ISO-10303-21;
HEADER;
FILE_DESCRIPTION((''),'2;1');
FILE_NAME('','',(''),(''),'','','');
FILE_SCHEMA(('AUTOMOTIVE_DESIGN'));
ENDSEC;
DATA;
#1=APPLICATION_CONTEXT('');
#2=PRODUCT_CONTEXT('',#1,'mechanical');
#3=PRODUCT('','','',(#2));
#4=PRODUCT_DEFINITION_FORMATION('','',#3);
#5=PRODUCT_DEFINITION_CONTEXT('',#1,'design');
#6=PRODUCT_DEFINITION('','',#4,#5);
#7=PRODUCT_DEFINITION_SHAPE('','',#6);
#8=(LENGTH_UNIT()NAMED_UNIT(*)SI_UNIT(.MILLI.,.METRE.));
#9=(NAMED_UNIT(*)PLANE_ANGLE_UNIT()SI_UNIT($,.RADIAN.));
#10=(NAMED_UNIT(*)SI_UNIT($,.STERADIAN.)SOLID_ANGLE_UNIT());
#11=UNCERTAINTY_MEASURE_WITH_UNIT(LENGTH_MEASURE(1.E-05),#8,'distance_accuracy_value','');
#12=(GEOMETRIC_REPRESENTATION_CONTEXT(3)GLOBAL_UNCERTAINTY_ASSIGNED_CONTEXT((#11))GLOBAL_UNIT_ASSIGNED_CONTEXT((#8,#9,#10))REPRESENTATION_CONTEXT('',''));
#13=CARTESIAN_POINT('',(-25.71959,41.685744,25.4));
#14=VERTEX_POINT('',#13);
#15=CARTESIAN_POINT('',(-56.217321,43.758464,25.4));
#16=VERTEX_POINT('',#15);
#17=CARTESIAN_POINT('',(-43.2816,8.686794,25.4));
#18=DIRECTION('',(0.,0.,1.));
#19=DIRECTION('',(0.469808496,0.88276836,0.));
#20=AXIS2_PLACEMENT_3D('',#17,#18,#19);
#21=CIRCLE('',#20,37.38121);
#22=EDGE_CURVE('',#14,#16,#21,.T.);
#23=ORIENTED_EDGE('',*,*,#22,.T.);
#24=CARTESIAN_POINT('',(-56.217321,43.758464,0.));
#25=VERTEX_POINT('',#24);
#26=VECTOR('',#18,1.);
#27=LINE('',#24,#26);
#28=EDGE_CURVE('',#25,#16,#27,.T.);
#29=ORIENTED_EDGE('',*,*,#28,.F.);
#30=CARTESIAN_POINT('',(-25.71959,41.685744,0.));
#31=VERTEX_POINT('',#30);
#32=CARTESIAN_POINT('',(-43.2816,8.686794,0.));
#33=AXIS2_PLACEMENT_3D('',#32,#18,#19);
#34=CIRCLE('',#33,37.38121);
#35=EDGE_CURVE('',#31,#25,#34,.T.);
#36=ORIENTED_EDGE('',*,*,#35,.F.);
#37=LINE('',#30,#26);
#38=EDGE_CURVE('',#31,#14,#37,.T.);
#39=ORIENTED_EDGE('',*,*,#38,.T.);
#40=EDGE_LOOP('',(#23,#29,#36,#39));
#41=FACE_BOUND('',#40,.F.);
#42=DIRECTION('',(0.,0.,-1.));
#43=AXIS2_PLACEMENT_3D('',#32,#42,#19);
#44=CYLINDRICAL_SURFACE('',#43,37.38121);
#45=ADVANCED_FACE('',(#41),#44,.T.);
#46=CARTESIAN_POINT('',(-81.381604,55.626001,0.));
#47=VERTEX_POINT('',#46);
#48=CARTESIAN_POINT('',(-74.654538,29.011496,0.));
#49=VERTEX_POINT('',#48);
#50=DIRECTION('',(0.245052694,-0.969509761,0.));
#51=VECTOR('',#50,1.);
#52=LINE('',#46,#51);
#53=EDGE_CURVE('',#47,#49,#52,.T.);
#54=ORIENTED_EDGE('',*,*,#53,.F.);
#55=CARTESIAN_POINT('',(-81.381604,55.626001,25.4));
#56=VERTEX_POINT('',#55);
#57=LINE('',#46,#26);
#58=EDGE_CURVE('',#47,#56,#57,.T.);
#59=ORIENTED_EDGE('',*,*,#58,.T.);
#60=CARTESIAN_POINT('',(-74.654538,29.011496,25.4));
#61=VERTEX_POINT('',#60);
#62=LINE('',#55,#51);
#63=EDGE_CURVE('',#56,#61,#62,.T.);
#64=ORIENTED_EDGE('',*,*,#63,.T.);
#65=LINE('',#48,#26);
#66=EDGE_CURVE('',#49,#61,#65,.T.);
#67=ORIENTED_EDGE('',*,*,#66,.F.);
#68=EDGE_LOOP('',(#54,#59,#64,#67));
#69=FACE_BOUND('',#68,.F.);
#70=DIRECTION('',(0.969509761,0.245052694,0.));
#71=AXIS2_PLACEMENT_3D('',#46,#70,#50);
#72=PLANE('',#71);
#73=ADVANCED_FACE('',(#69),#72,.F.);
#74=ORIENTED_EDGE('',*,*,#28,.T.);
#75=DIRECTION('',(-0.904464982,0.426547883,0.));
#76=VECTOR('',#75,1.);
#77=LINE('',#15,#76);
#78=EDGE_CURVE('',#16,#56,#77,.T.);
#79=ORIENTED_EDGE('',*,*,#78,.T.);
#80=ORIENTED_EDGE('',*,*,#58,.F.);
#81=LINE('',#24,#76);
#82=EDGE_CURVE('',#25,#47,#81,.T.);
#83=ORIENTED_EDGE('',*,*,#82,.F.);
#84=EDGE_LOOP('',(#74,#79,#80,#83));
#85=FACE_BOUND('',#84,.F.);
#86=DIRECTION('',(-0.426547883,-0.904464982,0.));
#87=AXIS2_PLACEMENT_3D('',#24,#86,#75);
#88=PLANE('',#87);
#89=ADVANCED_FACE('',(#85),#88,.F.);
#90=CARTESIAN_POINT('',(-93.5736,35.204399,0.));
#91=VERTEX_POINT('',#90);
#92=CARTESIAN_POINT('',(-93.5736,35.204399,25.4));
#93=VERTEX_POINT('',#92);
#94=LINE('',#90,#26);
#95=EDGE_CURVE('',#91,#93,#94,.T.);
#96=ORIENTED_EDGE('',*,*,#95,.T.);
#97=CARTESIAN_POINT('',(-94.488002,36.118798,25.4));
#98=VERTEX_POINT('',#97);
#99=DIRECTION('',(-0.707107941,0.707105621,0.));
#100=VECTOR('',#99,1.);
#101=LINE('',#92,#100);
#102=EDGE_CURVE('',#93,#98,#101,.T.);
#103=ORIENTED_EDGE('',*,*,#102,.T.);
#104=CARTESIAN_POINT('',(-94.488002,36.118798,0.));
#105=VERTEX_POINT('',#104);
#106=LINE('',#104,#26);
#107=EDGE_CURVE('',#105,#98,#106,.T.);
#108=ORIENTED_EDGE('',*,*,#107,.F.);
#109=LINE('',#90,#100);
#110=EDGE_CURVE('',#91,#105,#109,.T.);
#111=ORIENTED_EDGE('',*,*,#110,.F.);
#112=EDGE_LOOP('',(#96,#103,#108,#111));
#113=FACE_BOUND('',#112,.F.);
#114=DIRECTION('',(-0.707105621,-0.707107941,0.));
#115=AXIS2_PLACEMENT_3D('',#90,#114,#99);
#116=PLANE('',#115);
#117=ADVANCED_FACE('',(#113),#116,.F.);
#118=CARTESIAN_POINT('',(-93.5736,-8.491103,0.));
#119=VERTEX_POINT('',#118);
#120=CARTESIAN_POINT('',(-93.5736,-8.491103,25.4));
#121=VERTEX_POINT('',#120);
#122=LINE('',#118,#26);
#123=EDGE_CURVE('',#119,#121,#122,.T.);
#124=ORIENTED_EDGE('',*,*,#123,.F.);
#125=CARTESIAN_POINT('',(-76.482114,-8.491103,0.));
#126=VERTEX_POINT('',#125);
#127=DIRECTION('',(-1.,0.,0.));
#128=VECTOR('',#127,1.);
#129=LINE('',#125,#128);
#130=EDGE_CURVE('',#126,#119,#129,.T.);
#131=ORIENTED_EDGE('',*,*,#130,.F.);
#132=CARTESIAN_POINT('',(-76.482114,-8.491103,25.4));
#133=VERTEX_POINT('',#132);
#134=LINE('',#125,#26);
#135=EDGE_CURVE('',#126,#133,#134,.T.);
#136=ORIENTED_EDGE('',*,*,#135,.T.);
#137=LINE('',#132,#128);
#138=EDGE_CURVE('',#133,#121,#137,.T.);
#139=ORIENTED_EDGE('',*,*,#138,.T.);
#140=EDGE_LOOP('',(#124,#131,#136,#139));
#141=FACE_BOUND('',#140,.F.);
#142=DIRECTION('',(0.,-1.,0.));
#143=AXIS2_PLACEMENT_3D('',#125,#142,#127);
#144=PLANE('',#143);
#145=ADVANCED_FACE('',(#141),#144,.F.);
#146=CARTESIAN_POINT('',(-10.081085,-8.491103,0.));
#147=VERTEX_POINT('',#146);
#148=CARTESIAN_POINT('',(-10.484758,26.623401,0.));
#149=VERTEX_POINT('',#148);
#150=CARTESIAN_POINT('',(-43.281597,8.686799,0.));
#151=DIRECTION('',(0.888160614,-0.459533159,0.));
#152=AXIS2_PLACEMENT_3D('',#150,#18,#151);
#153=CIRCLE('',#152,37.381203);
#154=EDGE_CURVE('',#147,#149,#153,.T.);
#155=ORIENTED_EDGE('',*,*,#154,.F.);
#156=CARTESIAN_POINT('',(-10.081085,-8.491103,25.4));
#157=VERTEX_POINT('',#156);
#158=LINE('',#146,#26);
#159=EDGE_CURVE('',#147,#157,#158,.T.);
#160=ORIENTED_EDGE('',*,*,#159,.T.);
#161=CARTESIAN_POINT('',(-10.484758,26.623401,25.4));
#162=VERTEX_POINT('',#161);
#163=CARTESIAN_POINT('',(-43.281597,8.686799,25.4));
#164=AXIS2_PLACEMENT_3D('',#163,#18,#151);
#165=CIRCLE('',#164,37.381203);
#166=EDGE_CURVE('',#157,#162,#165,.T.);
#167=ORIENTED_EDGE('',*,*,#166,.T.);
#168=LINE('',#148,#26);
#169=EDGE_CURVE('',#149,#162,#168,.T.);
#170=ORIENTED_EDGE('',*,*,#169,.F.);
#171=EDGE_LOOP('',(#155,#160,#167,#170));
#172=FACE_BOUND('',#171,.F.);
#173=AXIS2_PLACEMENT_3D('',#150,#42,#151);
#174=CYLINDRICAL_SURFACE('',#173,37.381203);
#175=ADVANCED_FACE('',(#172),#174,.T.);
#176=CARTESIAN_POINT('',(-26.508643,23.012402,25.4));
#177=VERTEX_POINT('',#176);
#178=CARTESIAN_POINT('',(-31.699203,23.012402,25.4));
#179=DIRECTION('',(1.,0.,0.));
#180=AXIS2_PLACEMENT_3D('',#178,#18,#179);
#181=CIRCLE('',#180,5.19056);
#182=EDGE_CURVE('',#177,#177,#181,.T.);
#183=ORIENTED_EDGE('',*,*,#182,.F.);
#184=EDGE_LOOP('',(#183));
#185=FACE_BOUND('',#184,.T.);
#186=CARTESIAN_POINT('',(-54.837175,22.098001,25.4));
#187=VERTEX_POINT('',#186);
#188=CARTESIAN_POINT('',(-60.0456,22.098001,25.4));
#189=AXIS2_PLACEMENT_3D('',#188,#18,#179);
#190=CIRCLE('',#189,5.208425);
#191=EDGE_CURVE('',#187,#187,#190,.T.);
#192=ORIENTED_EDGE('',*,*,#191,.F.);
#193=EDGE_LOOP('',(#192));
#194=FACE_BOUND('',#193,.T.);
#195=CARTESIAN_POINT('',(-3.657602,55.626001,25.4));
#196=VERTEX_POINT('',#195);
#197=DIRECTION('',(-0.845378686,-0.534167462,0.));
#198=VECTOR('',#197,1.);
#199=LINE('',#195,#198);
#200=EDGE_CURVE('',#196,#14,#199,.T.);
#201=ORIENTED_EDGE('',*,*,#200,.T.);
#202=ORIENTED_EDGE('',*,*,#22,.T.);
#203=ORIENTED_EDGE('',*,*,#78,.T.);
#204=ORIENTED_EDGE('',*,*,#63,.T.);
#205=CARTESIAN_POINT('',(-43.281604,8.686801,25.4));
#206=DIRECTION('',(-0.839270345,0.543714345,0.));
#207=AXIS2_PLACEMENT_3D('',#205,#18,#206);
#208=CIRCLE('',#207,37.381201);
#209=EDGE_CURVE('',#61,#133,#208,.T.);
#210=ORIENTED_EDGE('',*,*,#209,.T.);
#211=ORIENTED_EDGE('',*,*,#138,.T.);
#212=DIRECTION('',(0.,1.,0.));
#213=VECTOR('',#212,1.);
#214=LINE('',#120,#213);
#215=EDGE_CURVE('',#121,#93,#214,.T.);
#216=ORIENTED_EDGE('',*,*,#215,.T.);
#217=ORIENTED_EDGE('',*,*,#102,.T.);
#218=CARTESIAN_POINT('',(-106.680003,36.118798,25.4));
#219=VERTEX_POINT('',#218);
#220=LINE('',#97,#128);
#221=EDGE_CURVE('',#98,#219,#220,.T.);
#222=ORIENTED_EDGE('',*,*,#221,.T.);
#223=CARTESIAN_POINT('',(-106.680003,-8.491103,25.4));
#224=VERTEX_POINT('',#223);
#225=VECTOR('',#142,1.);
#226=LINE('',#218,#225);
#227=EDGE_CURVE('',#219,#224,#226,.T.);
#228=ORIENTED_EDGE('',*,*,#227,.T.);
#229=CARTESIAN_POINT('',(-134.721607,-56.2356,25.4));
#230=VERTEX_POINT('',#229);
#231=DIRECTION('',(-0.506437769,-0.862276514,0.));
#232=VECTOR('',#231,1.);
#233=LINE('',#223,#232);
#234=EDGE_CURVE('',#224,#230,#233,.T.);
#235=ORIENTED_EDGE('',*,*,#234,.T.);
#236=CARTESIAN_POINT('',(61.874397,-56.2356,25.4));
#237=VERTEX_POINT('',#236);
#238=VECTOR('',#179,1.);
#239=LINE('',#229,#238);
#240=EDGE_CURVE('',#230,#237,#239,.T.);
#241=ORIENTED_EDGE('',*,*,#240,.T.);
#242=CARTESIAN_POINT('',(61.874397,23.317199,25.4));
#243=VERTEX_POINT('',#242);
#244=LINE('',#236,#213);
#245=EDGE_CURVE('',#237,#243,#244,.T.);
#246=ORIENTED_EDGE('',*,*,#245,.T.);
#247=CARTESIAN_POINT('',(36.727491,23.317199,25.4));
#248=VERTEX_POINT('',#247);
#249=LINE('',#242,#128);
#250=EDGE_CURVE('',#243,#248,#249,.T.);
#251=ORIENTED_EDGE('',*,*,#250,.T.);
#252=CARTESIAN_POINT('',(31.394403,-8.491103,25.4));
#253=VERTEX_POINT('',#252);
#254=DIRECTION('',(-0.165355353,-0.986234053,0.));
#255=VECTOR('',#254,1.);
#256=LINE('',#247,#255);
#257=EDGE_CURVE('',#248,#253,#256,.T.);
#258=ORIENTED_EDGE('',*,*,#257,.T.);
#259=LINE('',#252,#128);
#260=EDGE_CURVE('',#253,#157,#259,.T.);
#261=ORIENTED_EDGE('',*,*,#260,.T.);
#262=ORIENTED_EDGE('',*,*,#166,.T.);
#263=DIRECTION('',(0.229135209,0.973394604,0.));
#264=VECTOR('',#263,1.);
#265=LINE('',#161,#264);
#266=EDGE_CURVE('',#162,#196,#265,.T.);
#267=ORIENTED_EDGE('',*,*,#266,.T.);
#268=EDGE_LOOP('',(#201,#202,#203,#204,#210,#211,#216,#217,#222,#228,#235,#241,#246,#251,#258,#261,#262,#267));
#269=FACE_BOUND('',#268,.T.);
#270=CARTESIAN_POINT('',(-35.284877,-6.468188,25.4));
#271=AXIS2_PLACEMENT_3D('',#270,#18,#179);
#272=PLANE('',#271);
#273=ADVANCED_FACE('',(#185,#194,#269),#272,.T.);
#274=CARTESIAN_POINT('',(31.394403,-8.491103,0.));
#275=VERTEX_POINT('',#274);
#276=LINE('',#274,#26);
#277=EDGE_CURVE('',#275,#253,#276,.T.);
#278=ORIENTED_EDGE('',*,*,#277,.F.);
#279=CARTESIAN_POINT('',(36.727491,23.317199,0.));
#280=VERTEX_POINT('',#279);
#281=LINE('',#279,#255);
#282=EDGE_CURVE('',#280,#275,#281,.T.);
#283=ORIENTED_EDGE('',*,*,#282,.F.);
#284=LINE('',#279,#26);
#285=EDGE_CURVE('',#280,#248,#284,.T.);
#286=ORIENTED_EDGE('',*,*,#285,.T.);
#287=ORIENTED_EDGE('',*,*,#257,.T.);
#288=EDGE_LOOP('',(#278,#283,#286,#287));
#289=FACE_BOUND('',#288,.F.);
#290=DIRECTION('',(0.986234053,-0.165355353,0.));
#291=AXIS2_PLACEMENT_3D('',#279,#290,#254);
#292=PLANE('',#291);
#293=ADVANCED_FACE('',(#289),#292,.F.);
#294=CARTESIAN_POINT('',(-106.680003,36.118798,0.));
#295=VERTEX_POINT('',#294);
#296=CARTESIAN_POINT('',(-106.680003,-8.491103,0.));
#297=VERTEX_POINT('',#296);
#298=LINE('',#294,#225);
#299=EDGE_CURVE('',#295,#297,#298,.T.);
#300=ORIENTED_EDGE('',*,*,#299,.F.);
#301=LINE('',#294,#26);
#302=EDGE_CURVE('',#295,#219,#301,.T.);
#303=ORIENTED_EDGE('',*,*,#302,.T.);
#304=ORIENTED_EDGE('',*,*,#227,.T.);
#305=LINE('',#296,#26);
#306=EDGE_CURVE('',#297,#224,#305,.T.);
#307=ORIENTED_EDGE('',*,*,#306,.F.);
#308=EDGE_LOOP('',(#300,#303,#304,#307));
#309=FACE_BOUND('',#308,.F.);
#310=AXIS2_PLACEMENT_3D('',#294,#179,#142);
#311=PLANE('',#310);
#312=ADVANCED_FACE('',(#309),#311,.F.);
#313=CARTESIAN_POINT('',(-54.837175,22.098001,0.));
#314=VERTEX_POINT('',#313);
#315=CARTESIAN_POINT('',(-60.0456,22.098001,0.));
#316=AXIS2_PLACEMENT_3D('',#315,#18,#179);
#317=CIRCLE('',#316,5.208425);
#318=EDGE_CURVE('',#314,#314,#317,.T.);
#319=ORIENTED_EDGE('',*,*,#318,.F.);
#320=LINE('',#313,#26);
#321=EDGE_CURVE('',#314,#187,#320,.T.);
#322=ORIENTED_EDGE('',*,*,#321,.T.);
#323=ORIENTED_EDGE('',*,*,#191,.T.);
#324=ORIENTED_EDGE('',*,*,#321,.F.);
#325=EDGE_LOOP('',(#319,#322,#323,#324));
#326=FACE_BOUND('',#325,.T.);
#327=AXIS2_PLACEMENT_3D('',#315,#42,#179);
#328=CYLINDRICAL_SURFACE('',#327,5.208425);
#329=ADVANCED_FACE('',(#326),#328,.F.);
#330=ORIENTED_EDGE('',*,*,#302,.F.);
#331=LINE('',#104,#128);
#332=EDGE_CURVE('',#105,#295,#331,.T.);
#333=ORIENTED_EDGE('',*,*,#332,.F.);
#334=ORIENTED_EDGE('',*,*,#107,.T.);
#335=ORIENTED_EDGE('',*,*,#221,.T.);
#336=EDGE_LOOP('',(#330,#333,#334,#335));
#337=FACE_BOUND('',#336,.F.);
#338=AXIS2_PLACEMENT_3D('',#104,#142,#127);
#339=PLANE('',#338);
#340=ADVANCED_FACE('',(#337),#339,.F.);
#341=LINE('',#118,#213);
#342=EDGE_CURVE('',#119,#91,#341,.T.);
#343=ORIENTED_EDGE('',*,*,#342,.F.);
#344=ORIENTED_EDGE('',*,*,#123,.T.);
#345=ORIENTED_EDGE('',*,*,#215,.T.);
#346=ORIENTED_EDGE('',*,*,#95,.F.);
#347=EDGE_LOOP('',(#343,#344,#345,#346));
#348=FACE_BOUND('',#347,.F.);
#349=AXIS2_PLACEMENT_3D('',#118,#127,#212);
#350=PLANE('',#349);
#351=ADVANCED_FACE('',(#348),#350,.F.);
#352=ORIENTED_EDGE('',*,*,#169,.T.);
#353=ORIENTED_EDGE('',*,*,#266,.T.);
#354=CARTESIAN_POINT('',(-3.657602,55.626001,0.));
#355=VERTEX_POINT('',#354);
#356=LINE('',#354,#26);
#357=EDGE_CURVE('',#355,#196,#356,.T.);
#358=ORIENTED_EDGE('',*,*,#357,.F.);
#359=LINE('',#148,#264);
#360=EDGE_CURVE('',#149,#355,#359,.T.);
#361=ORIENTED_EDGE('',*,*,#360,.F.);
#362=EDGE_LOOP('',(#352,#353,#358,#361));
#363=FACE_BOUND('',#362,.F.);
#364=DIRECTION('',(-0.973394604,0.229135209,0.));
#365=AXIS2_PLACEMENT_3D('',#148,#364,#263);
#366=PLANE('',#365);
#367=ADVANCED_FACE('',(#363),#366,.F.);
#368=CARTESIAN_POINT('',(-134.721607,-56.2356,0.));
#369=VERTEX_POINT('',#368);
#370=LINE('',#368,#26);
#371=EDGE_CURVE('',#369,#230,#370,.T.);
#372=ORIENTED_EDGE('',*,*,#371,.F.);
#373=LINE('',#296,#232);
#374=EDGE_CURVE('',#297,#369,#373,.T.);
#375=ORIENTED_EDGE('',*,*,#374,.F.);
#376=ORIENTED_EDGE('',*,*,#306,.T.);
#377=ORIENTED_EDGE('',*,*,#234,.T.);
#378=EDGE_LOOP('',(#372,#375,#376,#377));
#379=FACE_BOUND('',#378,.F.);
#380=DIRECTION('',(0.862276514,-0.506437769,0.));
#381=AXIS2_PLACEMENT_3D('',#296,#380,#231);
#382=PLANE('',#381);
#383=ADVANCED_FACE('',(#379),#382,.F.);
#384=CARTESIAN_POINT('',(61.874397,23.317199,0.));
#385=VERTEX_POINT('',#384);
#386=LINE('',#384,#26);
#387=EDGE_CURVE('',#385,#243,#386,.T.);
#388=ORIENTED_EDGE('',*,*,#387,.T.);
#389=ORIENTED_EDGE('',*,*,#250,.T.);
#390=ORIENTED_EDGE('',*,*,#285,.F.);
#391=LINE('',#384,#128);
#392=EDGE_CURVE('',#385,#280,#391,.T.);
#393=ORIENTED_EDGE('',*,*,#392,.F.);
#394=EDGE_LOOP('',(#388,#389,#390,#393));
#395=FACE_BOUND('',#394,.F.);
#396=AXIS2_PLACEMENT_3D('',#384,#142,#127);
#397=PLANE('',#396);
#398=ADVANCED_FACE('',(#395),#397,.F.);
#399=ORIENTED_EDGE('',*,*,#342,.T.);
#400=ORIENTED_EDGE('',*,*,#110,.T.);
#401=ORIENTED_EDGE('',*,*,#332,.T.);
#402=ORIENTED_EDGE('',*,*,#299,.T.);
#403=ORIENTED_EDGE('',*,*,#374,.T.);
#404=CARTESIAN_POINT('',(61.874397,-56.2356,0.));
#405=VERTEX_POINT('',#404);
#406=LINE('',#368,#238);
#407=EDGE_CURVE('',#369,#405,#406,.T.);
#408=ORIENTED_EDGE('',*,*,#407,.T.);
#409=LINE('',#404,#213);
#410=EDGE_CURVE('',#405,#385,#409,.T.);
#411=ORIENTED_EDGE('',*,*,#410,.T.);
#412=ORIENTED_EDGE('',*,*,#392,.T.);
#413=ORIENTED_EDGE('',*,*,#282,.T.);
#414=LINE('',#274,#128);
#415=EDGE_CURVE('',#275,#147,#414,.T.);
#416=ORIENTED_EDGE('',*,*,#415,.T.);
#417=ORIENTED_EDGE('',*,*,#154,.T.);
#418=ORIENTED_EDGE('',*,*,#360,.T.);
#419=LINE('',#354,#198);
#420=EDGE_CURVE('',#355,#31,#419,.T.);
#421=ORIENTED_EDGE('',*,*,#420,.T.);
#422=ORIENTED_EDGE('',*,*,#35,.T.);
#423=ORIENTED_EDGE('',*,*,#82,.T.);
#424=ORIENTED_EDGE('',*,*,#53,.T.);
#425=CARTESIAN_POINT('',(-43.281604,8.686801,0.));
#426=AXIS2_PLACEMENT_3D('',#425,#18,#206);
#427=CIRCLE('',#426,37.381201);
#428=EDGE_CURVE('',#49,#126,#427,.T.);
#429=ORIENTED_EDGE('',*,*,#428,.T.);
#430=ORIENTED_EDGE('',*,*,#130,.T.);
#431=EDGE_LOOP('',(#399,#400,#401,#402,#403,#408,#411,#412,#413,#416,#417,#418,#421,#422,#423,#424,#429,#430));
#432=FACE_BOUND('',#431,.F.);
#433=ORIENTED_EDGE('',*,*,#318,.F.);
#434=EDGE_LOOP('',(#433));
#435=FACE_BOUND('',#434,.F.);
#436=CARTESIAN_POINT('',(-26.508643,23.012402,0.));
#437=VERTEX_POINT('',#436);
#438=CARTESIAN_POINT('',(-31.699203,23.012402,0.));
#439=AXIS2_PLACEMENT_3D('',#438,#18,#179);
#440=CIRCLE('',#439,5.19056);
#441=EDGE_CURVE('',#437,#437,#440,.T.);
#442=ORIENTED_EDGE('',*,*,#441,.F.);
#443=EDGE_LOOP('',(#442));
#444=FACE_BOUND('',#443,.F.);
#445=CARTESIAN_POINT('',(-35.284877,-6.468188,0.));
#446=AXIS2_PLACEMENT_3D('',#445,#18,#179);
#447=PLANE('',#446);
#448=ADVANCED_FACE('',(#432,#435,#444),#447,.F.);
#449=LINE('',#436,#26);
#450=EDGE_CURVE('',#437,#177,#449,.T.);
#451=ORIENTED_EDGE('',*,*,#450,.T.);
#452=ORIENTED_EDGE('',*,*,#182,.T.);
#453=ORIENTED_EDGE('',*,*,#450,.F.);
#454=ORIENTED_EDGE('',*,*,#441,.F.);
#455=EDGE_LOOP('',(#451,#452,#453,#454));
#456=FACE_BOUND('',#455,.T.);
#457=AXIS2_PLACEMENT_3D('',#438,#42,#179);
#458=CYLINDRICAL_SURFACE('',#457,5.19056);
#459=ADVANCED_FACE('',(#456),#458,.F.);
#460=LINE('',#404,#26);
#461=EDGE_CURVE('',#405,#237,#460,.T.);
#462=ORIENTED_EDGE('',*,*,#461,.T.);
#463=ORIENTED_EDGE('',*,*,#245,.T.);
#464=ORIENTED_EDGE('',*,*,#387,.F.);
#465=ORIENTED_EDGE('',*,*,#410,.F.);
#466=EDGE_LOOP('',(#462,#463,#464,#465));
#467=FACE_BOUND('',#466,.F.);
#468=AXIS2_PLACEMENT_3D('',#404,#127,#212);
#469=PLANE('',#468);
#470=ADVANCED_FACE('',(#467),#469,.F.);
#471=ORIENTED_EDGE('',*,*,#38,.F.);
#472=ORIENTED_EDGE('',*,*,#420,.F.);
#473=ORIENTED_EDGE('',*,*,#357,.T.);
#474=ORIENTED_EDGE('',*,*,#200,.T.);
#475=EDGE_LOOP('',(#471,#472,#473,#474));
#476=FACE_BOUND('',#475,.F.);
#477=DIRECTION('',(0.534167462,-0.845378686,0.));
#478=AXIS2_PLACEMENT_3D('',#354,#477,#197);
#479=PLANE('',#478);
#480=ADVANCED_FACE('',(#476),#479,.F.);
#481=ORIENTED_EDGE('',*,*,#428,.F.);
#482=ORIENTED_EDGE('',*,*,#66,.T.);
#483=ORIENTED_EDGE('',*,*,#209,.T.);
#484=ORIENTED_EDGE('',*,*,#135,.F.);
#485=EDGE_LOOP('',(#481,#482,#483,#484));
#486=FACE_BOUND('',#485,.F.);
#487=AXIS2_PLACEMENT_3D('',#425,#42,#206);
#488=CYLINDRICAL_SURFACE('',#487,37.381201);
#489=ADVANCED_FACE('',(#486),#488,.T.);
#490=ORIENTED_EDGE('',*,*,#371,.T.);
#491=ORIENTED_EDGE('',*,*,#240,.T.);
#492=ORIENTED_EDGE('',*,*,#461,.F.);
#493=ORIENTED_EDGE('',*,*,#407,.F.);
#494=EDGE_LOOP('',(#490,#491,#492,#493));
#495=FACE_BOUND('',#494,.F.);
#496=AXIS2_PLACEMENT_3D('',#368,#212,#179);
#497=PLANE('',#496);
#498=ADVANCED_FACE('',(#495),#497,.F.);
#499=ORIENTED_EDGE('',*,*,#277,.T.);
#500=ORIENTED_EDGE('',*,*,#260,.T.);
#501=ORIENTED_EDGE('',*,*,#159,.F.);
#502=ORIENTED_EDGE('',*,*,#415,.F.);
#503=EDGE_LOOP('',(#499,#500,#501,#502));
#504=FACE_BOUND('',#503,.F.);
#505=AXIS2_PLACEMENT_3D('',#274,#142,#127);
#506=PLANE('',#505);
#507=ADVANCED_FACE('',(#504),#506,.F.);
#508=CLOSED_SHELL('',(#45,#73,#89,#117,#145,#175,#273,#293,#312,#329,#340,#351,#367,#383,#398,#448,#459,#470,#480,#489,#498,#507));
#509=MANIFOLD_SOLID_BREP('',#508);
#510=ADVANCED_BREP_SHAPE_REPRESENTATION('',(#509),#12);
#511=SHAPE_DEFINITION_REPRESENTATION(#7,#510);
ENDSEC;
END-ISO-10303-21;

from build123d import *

# Parameters (mm, degrees)
F0_R     = 5.208425
F0_R_2   = 5.19056
F1_DEPTH = 25.4


with BuildPart() as f1:
    # F0 (on Top) → F1 (new body)
    with BuildSketch(Plane.XY):
        with BuildLine():
            Line((-81.381604, 55.626001), (-74.654538, 29.011496))
            ThreePointArc((-74.654538, 29.011496), (-80.618498, 10.506301), (-76.482114, -8.491103))
            Line((-76.482114, -8.491103), (-93.5736, -8.491103))
            Line((-93.5736, -8.491103), (-93.5736, 35.204399))
            Line((-93.5736, 35.204399), (-94.488002, 36.118798))
            Line((-94.488002, 36.118798), (-106.680003, 36.118798))
            Line((-106.680003, 36.118798), (-106.680003, -8.491103))
            Line((-106.680003, -8.491103), (-134.721607, -56.2356))
            Line((-134.721607, -56.2356), (61.874397, -56.2356))
            Line((61.874397, -56.2356), (61.874397, 23.317199))
            Line((61.874397, 23.317199), (36.880802, 23.317199))
            Line((36.880802, 23.317199), (36.727491, 23.317199))
            Line((36.727491, 23.317199), (31.394403, -8.491103))
            Line((31.394403, -8.491103), (-10.081085, -8.491103))
            ThreePointArc((-10.081085, -8.491103), (-5.902864, 9.116501), (-10.484758, 26.623401))
            Line((-10.484758, 26.623401), (-3.657602, 55.626001))
            Line((-3.657602, 55.626001), (-25.71959, 41.685744))
            ThreePointArc((-25.71959, 41.685744), (-40.746905, 45.981971), (-56.217321, 43.758464))
            Line((-56.217321, 43.758464), (-81.381604, 55.626001))
        make_face()
        with Locations((-60.0456, 22.098001)):
            Circle(F0_R, mode=Mode.SUBTRACT)
        with Locations((-31.699203, 23.012402)):
            Circle(F0_R_2, mode=Mode.SUBTRACT)
    extrude(amount=F1_DEPTH)


solid = f1.part
